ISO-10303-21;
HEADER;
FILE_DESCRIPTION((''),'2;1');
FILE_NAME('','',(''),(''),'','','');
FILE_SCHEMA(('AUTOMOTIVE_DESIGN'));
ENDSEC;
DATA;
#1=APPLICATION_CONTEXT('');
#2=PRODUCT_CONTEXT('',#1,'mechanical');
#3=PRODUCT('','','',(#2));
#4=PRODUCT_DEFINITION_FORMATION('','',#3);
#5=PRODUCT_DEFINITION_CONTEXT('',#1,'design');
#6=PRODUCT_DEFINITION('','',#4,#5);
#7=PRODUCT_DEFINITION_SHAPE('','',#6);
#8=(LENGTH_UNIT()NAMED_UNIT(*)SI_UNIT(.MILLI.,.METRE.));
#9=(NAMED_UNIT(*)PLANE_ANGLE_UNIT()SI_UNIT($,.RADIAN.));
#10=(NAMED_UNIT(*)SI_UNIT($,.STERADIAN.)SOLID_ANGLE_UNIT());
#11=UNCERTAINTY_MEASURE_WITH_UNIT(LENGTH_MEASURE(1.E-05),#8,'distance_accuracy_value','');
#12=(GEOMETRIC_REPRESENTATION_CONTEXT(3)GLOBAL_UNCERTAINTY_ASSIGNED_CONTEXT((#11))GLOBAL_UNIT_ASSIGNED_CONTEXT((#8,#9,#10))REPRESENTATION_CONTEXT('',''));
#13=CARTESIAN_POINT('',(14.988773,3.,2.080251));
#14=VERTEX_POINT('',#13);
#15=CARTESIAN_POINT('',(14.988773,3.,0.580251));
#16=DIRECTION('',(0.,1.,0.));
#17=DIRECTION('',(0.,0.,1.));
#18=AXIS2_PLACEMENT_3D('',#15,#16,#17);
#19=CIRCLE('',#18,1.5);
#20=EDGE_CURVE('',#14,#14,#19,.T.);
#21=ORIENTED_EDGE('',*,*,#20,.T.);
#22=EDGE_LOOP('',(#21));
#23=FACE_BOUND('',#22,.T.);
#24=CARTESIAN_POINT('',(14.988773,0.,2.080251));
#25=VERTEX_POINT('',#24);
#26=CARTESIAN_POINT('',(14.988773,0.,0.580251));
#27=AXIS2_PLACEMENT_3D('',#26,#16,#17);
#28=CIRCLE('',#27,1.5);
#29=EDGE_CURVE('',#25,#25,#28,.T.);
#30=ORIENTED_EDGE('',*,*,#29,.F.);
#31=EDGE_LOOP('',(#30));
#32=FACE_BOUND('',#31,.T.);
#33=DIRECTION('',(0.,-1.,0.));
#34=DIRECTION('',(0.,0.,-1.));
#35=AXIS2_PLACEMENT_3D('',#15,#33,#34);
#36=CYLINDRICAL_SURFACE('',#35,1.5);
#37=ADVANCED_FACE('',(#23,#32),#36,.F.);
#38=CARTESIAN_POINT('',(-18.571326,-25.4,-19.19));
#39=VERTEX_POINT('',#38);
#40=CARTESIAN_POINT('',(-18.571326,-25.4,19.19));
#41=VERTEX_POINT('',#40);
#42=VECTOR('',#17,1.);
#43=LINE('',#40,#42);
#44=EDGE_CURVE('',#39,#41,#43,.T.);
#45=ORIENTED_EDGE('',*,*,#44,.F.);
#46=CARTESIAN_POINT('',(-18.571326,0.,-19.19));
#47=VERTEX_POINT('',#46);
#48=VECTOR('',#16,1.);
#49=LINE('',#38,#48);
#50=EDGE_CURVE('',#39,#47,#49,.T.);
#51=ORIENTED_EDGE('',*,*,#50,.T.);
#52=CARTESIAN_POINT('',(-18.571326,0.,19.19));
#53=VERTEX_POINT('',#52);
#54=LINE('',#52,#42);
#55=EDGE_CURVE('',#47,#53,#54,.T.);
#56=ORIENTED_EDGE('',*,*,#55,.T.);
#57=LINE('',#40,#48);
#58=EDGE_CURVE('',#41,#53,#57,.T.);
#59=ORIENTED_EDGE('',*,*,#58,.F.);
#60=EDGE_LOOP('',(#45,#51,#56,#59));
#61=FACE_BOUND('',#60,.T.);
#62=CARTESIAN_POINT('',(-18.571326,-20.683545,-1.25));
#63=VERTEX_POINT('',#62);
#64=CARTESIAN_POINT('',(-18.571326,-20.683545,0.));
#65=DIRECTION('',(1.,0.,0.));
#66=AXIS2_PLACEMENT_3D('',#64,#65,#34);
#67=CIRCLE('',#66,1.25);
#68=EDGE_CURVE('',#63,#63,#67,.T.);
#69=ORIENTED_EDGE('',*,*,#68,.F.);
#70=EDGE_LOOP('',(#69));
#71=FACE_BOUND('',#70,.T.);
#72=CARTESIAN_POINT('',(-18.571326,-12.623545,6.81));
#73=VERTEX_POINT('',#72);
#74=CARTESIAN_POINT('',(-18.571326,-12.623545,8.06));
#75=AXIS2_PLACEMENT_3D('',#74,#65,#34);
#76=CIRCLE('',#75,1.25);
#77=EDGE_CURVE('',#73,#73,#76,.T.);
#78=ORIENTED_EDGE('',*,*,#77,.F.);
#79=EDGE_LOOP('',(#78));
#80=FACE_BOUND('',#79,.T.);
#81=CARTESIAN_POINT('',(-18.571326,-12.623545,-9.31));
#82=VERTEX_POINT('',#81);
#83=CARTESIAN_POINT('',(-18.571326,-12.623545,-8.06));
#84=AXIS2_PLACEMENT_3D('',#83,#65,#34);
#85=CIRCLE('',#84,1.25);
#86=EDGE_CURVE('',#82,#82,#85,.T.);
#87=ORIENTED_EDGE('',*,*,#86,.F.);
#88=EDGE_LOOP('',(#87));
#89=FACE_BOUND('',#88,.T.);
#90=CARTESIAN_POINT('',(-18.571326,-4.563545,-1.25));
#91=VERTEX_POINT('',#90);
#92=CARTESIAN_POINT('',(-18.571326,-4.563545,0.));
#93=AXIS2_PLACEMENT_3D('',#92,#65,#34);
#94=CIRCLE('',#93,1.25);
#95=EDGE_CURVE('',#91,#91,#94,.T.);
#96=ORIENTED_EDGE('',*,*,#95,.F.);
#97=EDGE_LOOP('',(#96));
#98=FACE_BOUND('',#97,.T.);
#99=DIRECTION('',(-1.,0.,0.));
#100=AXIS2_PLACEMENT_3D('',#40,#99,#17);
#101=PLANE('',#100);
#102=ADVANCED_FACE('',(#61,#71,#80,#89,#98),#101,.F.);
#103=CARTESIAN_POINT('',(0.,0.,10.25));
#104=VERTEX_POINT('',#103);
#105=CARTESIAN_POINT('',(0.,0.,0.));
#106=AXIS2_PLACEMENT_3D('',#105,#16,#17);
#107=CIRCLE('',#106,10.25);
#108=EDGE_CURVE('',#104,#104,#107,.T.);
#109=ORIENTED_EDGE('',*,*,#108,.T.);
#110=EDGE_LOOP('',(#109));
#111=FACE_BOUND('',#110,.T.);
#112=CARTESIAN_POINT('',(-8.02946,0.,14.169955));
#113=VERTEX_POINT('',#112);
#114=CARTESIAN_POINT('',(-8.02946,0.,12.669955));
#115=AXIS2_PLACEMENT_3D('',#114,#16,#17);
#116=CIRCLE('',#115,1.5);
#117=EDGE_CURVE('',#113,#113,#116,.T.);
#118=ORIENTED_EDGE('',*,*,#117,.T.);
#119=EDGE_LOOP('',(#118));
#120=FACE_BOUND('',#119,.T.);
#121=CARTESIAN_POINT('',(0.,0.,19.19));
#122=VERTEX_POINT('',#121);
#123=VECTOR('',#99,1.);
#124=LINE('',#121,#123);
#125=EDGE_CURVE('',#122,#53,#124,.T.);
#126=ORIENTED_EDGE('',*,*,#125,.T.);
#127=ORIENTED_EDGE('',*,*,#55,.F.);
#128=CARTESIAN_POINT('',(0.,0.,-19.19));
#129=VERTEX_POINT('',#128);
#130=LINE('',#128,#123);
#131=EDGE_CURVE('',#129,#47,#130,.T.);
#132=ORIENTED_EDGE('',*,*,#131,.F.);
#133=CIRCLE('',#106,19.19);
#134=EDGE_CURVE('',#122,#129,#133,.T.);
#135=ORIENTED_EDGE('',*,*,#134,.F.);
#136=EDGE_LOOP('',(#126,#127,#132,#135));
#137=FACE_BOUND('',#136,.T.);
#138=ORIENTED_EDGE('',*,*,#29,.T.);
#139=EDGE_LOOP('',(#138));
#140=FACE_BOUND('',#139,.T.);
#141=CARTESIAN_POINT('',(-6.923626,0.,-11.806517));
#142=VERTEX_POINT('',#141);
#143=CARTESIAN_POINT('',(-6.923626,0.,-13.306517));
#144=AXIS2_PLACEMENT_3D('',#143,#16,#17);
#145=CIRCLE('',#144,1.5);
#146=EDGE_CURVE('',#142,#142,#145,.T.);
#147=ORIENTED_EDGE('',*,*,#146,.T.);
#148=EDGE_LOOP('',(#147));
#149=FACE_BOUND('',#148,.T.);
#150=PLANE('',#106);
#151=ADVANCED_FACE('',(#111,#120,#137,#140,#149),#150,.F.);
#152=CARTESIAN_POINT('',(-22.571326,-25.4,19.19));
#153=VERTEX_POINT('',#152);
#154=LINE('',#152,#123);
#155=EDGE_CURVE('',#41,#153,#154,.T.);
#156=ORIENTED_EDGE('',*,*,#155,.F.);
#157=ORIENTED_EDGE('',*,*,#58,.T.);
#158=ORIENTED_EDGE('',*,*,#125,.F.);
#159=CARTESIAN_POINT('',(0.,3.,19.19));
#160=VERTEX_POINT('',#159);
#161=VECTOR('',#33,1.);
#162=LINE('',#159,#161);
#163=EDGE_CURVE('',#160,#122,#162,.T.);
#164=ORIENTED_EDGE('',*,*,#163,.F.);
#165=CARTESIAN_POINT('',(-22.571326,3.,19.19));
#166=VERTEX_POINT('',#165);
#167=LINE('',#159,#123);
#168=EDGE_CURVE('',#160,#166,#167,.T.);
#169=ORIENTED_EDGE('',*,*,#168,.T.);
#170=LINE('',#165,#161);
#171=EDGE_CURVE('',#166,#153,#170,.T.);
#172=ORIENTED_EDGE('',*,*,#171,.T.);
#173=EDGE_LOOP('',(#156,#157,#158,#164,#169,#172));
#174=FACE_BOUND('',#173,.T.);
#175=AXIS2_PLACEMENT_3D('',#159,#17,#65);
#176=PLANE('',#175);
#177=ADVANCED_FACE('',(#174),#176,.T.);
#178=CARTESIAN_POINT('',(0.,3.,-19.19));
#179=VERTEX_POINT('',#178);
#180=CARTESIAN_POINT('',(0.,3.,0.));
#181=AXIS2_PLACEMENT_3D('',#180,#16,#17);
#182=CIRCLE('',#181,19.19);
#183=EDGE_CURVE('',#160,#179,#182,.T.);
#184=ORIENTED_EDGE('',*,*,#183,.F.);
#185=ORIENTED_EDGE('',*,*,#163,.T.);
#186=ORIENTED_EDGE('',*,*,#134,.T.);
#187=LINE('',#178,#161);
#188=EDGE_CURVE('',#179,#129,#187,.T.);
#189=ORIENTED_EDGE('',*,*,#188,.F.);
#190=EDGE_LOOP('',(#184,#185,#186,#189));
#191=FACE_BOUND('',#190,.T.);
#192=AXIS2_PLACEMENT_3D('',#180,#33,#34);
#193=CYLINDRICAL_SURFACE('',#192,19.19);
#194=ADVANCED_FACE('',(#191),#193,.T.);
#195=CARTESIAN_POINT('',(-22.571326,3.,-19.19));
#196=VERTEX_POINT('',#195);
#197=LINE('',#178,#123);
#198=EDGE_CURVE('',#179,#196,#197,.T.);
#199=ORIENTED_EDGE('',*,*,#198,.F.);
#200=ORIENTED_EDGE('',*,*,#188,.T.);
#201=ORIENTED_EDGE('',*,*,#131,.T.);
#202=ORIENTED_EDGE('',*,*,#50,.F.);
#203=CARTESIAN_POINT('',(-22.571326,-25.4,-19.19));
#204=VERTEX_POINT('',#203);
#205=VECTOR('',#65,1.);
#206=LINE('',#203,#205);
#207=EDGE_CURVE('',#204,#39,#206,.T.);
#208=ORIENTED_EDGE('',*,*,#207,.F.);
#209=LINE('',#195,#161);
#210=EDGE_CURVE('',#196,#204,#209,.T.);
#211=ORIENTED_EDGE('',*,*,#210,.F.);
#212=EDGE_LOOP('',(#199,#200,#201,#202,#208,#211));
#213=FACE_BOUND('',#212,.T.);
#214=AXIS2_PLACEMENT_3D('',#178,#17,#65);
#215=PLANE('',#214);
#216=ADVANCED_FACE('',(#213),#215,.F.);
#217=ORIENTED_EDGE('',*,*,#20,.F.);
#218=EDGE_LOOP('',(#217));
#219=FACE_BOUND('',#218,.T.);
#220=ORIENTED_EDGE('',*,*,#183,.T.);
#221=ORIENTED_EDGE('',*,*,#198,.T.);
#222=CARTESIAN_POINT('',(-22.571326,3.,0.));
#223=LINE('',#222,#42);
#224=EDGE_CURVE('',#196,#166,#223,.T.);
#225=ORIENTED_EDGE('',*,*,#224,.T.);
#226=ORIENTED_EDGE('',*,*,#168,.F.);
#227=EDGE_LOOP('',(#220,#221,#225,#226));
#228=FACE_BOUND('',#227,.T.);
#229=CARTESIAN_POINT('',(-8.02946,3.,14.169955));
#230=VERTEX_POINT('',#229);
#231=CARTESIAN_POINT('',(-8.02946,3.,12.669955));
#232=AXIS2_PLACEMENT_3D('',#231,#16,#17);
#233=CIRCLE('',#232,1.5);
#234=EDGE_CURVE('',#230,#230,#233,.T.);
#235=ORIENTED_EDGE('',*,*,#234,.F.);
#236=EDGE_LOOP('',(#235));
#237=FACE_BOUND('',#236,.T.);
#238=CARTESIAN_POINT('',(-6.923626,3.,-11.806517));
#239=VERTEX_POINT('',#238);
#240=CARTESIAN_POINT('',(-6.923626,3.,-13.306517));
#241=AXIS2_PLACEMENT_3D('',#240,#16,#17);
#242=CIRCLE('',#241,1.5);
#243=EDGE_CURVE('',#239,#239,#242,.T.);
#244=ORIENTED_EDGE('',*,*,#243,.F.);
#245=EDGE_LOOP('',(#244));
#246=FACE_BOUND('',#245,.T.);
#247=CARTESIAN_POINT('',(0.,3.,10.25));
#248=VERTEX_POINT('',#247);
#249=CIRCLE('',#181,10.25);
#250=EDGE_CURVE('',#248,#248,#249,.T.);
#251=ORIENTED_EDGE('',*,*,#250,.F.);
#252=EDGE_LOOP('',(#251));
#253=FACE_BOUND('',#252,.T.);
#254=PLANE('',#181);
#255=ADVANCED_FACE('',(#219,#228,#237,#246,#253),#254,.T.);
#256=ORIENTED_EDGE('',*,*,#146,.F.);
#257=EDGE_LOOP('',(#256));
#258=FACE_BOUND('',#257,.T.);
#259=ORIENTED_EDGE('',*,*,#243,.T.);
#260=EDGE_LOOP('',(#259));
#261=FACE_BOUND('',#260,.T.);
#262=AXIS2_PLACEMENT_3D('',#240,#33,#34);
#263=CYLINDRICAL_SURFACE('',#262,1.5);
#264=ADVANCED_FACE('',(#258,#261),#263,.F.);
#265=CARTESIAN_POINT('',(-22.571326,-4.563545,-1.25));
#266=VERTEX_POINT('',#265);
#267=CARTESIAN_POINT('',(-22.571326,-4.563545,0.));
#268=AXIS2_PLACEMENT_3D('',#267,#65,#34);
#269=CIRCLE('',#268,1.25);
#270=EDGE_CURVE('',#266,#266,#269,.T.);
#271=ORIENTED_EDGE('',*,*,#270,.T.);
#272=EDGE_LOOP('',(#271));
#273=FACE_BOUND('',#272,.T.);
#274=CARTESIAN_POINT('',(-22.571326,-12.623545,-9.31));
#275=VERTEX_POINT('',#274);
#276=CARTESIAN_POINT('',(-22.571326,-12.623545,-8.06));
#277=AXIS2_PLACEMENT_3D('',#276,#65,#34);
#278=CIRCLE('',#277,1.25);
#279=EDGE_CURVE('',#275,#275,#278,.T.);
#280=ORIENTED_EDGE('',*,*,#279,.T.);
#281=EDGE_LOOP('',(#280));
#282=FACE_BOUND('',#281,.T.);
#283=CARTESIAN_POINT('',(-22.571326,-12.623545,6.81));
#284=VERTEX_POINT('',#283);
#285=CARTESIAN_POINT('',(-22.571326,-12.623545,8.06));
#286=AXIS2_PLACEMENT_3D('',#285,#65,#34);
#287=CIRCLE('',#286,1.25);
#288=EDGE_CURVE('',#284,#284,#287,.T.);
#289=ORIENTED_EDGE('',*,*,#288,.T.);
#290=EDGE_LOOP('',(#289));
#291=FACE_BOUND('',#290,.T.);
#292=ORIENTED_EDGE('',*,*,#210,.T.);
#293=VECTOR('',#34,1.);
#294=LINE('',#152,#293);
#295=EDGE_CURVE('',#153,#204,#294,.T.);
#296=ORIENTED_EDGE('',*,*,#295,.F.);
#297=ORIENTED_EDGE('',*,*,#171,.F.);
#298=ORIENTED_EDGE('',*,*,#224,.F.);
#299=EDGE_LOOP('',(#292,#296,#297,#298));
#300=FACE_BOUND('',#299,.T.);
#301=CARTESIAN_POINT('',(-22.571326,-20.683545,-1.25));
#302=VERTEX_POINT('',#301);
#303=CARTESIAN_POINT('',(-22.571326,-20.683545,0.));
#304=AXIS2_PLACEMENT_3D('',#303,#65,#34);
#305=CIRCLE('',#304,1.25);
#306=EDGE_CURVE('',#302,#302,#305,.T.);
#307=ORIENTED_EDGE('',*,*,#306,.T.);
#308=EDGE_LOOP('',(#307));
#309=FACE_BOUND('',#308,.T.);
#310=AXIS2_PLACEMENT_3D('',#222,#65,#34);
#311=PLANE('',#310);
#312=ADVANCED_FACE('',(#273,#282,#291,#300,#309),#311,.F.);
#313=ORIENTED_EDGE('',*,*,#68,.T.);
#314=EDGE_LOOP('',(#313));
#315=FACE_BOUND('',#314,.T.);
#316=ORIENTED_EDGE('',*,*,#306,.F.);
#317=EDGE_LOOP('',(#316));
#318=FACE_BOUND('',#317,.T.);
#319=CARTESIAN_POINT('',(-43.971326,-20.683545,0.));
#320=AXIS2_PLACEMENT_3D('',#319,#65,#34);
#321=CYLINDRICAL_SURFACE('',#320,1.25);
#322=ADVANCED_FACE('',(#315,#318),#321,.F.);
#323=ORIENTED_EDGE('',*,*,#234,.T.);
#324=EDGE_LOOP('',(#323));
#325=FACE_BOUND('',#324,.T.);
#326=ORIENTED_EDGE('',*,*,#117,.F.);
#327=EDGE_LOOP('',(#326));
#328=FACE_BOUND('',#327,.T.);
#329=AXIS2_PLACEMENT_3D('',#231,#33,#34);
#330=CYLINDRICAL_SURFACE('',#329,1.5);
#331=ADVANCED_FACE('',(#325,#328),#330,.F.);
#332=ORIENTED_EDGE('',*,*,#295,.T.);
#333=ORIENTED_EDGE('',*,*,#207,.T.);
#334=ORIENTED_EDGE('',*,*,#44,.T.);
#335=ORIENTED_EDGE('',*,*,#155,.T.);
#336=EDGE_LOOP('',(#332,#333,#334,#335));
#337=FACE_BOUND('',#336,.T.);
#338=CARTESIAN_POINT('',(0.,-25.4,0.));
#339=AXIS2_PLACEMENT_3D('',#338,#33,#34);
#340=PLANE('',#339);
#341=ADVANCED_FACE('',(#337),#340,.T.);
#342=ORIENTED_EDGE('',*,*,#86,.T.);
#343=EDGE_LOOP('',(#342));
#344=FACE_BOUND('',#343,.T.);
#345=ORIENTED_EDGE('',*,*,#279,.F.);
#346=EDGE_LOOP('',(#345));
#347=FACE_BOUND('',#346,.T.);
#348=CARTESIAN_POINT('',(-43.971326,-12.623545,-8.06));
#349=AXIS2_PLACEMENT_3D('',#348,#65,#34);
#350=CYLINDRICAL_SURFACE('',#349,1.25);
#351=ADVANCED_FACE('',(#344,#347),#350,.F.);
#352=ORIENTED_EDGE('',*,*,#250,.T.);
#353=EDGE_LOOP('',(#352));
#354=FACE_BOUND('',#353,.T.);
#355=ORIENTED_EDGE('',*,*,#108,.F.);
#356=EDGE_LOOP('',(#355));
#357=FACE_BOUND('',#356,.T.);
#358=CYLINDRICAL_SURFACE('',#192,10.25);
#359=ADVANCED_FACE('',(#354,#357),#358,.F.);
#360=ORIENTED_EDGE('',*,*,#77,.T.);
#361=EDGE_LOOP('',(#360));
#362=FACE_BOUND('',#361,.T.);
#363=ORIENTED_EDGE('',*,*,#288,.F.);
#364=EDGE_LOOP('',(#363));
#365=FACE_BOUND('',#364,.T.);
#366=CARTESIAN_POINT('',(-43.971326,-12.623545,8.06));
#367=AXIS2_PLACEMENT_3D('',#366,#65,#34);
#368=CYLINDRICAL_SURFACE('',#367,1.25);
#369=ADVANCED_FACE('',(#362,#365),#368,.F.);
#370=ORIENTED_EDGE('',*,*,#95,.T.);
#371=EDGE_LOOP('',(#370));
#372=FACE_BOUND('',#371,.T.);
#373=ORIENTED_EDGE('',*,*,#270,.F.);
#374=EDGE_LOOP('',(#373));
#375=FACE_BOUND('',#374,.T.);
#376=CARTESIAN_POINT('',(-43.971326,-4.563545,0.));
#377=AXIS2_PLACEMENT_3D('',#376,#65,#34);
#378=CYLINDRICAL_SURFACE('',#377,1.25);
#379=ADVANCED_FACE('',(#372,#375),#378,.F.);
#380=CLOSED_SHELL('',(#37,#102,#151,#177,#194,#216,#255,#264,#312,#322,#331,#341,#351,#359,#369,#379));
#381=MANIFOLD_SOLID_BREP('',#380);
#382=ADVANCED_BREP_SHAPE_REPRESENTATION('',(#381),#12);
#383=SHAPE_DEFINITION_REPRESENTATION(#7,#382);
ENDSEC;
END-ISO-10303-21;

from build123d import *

# Parameters (mm, degrees)
SKETCH1_R           = 10.25
SKETCH1_R_2         = 1.5
BOSS_EXTRUDE3_DEPTH = 3
SKETCH2_W           = 4
SKETCH2_H           = 38.38
BOSS_EXTRUDE4_DEPTH = 25.4
SKETCH3_R           = 1.25
CUT_EXTRUDE2_DEPTH  = 25.4


with BuildPart() as part:
    # Sketch1 → Boss-Extrude3 (new body)
    with BuildSketch(Plane(origin=(0, 0, 0), x_dir=(1, 0, 0), z_dir=(0, 1, 0))):
        with BuildLine():
            Line((-22.571326258, -19.19), (0, -19.19))
            ThreePointArc((0, -19.19), (19.19, 0), (0, 19.19))
            Line((0, 19.19), (-22.571326258, 19.19))
            Line((-22.571326258, 19.19), (-22.571326258, -19.19))
        make_face()
        with Locations(Location((0, 0, 0), (0, 0, 270))):
            Circle(SKETCH1_R, mode=Mode.SUBTRACT)
        with Locations(Location((-6.923626209, 13.306517204, 0), (0, 0, 270))):
            Circle(SKETCH1_R_2, mode=Mode.SUBTRACT)
        with Locations(Location((-8.029460065, -12.669955448, 0), (0, 0, 270))):
            Circle(SKETCH1_R_2, mode=Mode.SUBTRACT)
        with Locations(Location((14.988772764, -0.580250843, 0), (0, 0, 270))):
            Circle(SKETCH1_R_2, mode=Mode.SUBTRACT)
    extrude(amount=BOSS_EXTRUDE3_DEPTH)

    # Sketch2 → Boss-Extrude4 (add)
    with BuildSketch(Plane.XZ):
        with Locations((-20.571326258, 0)):
            Rectangle(SKETCH2_W, SKETCH2_H)
    extrude(amount=BOSS_EXTRUDE4_DEPTH)

    # Sketch3 → Cut-Extrude2 (cut)
    with BuildSketch(Plane(origin=(-18.571326258, 0, 0), x_dir=(0, 0, -1), z_dir=(1, 0, 0))):
        with Locations((0, -4.563544693)):
            Circle(SKETCH3_R)
        with Locations((-8.06, -12.623544693)):
            Circle(SKETCH3_R)
        with Locations((0, -20.683544693)):
            Circle(SKETCH3_R)
        with Locations((8.06, -12.623544693)):
            Circle(SKETCH3_R)
    extrude(amount=-CUT_EXTRUDE2_DEPTH, mode=Mode.SUBTRACT)


solid = part.part
